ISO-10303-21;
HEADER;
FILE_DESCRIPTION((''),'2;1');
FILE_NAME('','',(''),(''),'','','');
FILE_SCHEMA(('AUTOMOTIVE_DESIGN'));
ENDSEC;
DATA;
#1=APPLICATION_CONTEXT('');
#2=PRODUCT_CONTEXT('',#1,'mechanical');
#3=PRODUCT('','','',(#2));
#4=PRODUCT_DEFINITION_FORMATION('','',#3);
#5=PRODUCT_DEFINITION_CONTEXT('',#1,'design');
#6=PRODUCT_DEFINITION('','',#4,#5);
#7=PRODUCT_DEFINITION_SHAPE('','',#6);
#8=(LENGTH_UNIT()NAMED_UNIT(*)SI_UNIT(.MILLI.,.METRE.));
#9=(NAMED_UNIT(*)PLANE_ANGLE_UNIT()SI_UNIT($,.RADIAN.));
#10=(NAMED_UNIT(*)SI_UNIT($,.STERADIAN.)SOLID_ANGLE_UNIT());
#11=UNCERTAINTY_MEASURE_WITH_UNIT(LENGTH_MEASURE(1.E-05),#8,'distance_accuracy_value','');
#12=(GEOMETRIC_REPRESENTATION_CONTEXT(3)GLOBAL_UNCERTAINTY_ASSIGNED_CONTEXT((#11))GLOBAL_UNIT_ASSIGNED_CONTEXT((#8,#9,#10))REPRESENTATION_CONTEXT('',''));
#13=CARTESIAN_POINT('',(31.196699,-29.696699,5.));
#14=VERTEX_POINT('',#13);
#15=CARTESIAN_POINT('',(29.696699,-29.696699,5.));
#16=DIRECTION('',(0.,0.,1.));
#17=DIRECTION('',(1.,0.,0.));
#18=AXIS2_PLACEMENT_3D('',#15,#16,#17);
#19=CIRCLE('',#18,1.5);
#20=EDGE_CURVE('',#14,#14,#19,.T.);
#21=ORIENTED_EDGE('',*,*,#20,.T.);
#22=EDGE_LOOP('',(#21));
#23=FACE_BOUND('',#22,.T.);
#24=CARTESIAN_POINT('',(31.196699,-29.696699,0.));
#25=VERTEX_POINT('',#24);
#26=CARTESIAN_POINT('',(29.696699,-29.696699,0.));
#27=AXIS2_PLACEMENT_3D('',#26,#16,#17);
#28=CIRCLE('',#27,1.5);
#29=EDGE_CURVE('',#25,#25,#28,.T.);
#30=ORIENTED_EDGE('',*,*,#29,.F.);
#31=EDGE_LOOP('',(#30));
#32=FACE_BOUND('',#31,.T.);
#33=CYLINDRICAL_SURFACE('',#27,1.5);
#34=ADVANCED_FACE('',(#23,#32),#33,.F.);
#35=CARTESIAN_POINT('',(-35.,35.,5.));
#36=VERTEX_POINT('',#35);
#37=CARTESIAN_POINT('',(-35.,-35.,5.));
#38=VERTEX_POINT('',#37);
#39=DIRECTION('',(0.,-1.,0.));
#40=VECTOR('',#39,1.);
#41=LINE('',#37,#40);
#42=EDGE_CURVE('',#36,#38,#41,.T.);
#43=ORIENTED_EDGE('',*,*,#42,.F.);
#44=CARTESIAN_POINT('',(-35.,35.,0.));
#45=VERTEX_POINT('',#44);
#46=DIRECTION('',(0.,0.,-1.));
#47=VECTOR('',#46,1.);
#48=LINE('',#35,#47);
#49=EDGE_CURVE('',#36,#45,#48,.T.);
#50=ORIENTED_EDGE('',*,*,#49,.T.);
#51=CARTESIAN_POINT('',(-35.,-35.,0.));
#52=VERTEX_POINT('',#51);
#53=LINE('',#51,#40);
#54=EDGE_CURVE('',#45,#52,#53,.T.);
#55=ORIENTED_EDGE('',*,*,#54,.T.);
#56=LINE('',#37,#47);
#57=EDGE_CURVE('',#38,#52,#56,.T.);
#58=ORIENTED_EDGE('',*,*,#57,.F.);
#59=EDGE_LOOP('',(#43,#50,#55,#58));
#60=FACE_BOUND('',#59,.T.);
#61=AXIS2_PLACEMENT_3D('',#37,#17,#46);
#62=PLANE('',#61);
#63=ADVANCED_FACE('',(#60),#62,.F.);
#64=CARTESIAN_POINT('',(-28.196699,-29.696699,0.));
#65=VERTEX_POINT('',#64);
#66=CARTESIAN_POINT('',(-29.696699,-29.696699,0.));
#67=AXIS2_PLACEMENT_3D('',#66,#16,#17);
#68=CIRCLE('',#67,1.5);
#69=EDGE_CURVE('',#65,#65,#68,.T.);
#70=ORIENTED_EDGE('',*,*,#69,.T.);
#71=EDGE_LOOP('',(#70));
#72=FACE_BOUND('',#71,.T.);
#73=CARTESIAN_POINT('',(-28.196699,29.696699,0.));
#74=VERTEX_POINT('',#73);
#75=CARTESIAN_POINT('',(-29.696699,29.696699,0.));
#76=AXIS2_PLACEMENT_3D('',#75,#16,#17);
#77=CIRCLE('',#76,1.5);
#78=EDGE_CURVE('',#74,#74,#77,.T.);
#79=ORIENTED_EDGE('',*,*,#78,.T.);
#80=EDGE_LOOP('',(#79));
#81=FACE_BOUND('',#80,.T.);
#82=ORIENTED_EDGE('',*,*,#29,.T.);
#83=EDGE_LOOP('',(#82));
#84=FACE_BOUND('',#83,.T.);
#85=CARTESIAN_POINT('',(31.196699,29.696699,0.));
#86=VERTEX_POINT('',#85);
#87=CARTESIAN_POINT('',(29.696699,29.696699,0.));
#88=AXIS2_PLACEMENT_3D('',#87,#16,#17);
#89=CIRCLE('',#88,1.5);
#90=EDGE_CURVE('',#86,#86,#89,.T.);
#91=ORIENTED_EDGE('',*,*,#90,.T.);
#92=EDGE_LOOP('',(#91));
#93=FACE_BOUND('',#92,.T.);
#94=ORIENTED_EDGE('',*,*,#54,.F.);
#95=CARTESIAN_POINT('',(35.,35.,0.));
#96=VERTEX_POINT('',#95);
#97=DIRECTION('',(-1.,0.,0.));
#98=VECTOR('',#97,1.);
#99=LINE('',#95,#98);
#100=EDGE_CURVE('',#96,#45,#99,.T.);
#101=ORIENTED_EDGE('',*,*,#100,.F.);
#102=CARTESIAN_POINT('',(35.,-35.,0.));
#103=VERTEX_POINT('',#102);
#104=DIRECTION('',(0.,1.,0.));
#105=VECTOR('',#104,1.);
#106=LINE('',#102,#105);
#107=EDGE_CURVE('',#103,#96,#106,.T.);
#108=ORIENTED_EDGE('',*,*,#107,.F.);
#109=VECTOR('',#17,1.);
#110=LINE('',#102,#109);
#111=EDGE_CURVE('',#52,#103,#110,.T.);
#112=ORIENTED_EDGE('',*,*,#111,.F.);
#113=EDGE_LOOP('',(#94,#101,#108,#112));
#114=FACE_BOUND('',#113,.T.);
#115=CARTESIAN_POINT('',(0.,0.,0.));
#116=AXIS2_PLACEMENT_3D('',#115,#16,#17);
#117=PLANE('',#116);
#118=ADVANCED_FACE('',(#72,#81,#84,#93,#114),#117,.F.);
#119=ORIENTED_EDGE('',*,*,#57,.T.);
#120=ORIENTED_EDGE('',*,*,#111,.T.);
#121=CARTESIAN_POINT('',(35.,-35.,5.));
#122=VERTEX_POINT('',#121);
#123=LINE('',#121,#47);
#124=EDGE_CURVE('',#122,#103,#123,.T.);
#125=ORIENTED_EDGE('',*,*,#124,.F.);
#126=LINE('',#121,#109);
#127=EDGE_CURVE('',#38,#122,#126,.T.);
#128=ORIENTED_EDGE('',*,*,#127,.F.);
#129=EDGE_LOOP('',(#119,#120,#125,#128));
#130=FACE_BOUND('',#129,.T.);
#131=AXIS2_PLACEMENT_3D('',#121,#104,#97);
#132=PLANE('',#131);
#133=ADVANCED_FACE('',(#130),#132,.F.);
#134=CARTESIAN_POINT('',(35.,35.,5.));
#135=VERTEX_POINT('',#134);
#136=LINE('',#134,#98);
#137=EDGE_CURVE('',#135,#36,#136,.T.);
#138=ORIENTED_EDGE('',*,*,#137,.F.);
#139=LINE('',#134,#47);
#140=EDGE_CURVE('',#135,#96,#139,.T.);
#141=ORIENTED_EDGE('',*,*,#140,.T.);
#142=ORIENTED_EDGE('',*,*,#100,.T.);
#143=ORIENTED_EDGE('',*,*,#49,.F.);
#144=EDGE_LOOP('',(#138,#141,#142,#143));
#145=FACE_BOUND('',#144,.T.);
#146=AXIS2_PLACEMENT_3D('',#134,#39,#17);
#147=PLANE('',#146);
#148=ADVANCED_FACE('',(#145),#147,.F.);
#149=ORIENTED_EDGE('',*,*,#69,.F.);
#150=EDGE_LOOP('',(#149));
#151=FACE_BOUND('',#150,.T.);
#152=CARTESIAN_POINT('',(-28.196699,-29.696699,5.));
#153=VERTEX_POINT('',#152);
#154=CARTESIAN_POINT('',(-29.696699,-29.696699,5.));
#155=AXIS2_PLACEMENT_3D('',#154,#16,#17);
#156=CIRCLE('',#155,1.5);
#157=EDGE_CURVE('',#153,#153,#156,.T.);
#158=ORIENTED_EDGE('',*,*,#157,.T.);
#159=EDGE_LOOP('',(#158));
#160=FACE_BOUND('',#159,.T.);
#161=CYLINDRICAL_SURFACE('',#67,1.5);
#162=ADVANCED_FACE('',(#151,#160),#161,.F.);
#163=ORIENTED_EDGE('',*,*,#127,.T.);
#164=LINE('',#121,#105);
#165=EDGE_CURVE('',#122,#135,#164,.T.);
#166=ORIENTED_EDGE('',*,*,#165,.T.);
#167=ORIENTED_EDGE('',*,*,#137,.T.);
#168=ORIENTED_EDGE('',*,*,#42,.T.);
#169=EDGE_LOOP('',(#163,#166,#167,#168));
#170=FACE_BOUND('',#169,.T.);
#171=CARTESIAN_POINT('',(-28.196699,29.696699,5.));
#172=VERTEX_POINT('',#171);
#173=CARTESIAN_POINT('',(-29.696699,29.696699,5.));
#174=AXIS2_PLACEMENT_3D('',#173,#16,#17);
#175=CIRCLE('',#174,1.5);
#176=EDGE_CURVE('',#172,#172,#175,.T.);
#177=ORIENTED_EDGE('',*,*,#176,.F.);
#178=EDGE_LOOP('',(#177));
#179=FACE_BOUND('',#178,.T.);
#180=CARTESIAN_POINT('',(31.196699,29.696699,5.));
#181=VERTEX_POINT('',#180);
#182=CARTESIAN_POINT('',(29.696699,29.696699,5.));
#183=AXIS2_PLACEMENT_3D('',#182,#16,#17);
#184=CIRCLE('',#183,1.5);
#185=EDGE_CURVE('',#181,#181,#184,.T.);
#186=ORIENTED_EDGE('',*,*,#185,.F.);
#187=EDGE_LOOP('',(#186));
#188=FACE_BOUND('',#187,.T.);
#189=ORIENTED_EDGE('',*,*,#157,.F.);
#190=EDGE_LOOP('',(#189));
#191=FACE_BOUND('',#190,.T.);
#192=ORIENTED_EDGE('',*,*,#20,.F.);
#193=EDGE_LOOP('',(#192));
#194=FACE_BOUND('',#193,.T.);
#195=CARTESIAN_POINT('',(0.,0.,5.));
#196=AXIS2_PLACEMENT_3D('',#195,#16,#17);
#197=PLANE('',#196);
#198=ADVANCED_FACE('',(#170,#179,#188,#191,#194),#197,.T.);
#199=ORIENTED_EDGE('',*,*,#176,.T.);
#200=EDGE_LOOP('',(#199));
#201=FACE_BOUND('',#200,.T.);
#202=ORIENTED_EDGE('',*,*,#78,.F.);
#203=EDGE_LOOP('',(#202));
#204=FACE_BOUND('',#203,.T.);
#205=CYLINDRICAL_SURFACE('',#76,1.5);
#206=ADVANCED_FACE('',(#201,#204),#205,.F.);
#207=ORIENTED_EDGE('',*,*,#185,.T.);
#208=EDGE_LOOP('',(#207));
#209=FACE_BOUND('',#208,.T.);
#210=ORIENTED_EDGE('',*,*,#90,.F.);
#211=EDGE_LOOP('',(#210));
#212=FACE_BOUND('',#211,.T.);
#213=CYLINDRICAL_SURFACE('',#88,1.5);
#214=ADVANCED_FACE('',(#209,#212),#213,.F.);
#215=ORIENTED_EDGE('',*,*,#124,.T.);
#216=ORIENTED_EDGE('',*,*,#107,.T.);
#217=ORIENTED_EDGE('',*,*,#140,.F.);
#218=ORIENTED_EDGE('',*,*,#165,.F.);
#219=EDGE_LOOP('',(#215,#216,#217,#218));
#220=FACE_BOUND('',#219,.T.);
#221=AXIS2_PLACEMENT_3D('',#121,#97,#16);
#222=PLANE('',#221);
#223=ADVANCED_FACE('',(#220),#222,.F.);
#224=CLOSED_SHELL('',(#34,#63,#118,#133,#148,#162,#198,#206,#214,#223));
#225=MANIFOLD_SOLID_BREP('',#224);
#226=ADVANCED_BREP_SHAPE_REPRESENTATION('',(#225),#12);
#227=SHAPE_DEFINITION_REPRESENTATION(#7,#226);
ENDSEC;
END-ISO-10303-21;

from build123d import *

# Parameters (mm, degrees)
SKETCH_1_W          = 70
SKETCH_1_H          = 70
EXTRUDE_1_DEPTH     = 5
SKETCH_2_R          = 1.5
CUT_EXTRUDE_1_DEPTH = 5


with BuildPart() as part:
    # Эскиз1 → Бобышка-Вытянуть1 (new body)
    with BuildSketch(Plane.XY):
        Rectangle(SKETCH_1_W, SKETCH_1_H)
    extrude(amount=EXTRUDE_1_DEPTH)

    # Эскиз2 → Вырез-Вытянуть1 (cut)
    with BuildSketch(Plane.XY.offset(5)):
        with Locations((-29.696699141, 29.696699141)):
            Circle(SKETCH_2_R)
        with Locations((29.696699141, 29.696699141)):
            Circle(SKETCH_2_R)
        with Locations((29.696699141, -29.696699141)):
            Circle(SKETCH_2_R)
        with Locations((-29.696699141, -29.696699141)):
            Circle(SKETCH_2_R)
    extrude(amount=-CUT_EXTRUDE_1_DEPTH, mode=Mode.SUBTRACT)


solid = part.part
